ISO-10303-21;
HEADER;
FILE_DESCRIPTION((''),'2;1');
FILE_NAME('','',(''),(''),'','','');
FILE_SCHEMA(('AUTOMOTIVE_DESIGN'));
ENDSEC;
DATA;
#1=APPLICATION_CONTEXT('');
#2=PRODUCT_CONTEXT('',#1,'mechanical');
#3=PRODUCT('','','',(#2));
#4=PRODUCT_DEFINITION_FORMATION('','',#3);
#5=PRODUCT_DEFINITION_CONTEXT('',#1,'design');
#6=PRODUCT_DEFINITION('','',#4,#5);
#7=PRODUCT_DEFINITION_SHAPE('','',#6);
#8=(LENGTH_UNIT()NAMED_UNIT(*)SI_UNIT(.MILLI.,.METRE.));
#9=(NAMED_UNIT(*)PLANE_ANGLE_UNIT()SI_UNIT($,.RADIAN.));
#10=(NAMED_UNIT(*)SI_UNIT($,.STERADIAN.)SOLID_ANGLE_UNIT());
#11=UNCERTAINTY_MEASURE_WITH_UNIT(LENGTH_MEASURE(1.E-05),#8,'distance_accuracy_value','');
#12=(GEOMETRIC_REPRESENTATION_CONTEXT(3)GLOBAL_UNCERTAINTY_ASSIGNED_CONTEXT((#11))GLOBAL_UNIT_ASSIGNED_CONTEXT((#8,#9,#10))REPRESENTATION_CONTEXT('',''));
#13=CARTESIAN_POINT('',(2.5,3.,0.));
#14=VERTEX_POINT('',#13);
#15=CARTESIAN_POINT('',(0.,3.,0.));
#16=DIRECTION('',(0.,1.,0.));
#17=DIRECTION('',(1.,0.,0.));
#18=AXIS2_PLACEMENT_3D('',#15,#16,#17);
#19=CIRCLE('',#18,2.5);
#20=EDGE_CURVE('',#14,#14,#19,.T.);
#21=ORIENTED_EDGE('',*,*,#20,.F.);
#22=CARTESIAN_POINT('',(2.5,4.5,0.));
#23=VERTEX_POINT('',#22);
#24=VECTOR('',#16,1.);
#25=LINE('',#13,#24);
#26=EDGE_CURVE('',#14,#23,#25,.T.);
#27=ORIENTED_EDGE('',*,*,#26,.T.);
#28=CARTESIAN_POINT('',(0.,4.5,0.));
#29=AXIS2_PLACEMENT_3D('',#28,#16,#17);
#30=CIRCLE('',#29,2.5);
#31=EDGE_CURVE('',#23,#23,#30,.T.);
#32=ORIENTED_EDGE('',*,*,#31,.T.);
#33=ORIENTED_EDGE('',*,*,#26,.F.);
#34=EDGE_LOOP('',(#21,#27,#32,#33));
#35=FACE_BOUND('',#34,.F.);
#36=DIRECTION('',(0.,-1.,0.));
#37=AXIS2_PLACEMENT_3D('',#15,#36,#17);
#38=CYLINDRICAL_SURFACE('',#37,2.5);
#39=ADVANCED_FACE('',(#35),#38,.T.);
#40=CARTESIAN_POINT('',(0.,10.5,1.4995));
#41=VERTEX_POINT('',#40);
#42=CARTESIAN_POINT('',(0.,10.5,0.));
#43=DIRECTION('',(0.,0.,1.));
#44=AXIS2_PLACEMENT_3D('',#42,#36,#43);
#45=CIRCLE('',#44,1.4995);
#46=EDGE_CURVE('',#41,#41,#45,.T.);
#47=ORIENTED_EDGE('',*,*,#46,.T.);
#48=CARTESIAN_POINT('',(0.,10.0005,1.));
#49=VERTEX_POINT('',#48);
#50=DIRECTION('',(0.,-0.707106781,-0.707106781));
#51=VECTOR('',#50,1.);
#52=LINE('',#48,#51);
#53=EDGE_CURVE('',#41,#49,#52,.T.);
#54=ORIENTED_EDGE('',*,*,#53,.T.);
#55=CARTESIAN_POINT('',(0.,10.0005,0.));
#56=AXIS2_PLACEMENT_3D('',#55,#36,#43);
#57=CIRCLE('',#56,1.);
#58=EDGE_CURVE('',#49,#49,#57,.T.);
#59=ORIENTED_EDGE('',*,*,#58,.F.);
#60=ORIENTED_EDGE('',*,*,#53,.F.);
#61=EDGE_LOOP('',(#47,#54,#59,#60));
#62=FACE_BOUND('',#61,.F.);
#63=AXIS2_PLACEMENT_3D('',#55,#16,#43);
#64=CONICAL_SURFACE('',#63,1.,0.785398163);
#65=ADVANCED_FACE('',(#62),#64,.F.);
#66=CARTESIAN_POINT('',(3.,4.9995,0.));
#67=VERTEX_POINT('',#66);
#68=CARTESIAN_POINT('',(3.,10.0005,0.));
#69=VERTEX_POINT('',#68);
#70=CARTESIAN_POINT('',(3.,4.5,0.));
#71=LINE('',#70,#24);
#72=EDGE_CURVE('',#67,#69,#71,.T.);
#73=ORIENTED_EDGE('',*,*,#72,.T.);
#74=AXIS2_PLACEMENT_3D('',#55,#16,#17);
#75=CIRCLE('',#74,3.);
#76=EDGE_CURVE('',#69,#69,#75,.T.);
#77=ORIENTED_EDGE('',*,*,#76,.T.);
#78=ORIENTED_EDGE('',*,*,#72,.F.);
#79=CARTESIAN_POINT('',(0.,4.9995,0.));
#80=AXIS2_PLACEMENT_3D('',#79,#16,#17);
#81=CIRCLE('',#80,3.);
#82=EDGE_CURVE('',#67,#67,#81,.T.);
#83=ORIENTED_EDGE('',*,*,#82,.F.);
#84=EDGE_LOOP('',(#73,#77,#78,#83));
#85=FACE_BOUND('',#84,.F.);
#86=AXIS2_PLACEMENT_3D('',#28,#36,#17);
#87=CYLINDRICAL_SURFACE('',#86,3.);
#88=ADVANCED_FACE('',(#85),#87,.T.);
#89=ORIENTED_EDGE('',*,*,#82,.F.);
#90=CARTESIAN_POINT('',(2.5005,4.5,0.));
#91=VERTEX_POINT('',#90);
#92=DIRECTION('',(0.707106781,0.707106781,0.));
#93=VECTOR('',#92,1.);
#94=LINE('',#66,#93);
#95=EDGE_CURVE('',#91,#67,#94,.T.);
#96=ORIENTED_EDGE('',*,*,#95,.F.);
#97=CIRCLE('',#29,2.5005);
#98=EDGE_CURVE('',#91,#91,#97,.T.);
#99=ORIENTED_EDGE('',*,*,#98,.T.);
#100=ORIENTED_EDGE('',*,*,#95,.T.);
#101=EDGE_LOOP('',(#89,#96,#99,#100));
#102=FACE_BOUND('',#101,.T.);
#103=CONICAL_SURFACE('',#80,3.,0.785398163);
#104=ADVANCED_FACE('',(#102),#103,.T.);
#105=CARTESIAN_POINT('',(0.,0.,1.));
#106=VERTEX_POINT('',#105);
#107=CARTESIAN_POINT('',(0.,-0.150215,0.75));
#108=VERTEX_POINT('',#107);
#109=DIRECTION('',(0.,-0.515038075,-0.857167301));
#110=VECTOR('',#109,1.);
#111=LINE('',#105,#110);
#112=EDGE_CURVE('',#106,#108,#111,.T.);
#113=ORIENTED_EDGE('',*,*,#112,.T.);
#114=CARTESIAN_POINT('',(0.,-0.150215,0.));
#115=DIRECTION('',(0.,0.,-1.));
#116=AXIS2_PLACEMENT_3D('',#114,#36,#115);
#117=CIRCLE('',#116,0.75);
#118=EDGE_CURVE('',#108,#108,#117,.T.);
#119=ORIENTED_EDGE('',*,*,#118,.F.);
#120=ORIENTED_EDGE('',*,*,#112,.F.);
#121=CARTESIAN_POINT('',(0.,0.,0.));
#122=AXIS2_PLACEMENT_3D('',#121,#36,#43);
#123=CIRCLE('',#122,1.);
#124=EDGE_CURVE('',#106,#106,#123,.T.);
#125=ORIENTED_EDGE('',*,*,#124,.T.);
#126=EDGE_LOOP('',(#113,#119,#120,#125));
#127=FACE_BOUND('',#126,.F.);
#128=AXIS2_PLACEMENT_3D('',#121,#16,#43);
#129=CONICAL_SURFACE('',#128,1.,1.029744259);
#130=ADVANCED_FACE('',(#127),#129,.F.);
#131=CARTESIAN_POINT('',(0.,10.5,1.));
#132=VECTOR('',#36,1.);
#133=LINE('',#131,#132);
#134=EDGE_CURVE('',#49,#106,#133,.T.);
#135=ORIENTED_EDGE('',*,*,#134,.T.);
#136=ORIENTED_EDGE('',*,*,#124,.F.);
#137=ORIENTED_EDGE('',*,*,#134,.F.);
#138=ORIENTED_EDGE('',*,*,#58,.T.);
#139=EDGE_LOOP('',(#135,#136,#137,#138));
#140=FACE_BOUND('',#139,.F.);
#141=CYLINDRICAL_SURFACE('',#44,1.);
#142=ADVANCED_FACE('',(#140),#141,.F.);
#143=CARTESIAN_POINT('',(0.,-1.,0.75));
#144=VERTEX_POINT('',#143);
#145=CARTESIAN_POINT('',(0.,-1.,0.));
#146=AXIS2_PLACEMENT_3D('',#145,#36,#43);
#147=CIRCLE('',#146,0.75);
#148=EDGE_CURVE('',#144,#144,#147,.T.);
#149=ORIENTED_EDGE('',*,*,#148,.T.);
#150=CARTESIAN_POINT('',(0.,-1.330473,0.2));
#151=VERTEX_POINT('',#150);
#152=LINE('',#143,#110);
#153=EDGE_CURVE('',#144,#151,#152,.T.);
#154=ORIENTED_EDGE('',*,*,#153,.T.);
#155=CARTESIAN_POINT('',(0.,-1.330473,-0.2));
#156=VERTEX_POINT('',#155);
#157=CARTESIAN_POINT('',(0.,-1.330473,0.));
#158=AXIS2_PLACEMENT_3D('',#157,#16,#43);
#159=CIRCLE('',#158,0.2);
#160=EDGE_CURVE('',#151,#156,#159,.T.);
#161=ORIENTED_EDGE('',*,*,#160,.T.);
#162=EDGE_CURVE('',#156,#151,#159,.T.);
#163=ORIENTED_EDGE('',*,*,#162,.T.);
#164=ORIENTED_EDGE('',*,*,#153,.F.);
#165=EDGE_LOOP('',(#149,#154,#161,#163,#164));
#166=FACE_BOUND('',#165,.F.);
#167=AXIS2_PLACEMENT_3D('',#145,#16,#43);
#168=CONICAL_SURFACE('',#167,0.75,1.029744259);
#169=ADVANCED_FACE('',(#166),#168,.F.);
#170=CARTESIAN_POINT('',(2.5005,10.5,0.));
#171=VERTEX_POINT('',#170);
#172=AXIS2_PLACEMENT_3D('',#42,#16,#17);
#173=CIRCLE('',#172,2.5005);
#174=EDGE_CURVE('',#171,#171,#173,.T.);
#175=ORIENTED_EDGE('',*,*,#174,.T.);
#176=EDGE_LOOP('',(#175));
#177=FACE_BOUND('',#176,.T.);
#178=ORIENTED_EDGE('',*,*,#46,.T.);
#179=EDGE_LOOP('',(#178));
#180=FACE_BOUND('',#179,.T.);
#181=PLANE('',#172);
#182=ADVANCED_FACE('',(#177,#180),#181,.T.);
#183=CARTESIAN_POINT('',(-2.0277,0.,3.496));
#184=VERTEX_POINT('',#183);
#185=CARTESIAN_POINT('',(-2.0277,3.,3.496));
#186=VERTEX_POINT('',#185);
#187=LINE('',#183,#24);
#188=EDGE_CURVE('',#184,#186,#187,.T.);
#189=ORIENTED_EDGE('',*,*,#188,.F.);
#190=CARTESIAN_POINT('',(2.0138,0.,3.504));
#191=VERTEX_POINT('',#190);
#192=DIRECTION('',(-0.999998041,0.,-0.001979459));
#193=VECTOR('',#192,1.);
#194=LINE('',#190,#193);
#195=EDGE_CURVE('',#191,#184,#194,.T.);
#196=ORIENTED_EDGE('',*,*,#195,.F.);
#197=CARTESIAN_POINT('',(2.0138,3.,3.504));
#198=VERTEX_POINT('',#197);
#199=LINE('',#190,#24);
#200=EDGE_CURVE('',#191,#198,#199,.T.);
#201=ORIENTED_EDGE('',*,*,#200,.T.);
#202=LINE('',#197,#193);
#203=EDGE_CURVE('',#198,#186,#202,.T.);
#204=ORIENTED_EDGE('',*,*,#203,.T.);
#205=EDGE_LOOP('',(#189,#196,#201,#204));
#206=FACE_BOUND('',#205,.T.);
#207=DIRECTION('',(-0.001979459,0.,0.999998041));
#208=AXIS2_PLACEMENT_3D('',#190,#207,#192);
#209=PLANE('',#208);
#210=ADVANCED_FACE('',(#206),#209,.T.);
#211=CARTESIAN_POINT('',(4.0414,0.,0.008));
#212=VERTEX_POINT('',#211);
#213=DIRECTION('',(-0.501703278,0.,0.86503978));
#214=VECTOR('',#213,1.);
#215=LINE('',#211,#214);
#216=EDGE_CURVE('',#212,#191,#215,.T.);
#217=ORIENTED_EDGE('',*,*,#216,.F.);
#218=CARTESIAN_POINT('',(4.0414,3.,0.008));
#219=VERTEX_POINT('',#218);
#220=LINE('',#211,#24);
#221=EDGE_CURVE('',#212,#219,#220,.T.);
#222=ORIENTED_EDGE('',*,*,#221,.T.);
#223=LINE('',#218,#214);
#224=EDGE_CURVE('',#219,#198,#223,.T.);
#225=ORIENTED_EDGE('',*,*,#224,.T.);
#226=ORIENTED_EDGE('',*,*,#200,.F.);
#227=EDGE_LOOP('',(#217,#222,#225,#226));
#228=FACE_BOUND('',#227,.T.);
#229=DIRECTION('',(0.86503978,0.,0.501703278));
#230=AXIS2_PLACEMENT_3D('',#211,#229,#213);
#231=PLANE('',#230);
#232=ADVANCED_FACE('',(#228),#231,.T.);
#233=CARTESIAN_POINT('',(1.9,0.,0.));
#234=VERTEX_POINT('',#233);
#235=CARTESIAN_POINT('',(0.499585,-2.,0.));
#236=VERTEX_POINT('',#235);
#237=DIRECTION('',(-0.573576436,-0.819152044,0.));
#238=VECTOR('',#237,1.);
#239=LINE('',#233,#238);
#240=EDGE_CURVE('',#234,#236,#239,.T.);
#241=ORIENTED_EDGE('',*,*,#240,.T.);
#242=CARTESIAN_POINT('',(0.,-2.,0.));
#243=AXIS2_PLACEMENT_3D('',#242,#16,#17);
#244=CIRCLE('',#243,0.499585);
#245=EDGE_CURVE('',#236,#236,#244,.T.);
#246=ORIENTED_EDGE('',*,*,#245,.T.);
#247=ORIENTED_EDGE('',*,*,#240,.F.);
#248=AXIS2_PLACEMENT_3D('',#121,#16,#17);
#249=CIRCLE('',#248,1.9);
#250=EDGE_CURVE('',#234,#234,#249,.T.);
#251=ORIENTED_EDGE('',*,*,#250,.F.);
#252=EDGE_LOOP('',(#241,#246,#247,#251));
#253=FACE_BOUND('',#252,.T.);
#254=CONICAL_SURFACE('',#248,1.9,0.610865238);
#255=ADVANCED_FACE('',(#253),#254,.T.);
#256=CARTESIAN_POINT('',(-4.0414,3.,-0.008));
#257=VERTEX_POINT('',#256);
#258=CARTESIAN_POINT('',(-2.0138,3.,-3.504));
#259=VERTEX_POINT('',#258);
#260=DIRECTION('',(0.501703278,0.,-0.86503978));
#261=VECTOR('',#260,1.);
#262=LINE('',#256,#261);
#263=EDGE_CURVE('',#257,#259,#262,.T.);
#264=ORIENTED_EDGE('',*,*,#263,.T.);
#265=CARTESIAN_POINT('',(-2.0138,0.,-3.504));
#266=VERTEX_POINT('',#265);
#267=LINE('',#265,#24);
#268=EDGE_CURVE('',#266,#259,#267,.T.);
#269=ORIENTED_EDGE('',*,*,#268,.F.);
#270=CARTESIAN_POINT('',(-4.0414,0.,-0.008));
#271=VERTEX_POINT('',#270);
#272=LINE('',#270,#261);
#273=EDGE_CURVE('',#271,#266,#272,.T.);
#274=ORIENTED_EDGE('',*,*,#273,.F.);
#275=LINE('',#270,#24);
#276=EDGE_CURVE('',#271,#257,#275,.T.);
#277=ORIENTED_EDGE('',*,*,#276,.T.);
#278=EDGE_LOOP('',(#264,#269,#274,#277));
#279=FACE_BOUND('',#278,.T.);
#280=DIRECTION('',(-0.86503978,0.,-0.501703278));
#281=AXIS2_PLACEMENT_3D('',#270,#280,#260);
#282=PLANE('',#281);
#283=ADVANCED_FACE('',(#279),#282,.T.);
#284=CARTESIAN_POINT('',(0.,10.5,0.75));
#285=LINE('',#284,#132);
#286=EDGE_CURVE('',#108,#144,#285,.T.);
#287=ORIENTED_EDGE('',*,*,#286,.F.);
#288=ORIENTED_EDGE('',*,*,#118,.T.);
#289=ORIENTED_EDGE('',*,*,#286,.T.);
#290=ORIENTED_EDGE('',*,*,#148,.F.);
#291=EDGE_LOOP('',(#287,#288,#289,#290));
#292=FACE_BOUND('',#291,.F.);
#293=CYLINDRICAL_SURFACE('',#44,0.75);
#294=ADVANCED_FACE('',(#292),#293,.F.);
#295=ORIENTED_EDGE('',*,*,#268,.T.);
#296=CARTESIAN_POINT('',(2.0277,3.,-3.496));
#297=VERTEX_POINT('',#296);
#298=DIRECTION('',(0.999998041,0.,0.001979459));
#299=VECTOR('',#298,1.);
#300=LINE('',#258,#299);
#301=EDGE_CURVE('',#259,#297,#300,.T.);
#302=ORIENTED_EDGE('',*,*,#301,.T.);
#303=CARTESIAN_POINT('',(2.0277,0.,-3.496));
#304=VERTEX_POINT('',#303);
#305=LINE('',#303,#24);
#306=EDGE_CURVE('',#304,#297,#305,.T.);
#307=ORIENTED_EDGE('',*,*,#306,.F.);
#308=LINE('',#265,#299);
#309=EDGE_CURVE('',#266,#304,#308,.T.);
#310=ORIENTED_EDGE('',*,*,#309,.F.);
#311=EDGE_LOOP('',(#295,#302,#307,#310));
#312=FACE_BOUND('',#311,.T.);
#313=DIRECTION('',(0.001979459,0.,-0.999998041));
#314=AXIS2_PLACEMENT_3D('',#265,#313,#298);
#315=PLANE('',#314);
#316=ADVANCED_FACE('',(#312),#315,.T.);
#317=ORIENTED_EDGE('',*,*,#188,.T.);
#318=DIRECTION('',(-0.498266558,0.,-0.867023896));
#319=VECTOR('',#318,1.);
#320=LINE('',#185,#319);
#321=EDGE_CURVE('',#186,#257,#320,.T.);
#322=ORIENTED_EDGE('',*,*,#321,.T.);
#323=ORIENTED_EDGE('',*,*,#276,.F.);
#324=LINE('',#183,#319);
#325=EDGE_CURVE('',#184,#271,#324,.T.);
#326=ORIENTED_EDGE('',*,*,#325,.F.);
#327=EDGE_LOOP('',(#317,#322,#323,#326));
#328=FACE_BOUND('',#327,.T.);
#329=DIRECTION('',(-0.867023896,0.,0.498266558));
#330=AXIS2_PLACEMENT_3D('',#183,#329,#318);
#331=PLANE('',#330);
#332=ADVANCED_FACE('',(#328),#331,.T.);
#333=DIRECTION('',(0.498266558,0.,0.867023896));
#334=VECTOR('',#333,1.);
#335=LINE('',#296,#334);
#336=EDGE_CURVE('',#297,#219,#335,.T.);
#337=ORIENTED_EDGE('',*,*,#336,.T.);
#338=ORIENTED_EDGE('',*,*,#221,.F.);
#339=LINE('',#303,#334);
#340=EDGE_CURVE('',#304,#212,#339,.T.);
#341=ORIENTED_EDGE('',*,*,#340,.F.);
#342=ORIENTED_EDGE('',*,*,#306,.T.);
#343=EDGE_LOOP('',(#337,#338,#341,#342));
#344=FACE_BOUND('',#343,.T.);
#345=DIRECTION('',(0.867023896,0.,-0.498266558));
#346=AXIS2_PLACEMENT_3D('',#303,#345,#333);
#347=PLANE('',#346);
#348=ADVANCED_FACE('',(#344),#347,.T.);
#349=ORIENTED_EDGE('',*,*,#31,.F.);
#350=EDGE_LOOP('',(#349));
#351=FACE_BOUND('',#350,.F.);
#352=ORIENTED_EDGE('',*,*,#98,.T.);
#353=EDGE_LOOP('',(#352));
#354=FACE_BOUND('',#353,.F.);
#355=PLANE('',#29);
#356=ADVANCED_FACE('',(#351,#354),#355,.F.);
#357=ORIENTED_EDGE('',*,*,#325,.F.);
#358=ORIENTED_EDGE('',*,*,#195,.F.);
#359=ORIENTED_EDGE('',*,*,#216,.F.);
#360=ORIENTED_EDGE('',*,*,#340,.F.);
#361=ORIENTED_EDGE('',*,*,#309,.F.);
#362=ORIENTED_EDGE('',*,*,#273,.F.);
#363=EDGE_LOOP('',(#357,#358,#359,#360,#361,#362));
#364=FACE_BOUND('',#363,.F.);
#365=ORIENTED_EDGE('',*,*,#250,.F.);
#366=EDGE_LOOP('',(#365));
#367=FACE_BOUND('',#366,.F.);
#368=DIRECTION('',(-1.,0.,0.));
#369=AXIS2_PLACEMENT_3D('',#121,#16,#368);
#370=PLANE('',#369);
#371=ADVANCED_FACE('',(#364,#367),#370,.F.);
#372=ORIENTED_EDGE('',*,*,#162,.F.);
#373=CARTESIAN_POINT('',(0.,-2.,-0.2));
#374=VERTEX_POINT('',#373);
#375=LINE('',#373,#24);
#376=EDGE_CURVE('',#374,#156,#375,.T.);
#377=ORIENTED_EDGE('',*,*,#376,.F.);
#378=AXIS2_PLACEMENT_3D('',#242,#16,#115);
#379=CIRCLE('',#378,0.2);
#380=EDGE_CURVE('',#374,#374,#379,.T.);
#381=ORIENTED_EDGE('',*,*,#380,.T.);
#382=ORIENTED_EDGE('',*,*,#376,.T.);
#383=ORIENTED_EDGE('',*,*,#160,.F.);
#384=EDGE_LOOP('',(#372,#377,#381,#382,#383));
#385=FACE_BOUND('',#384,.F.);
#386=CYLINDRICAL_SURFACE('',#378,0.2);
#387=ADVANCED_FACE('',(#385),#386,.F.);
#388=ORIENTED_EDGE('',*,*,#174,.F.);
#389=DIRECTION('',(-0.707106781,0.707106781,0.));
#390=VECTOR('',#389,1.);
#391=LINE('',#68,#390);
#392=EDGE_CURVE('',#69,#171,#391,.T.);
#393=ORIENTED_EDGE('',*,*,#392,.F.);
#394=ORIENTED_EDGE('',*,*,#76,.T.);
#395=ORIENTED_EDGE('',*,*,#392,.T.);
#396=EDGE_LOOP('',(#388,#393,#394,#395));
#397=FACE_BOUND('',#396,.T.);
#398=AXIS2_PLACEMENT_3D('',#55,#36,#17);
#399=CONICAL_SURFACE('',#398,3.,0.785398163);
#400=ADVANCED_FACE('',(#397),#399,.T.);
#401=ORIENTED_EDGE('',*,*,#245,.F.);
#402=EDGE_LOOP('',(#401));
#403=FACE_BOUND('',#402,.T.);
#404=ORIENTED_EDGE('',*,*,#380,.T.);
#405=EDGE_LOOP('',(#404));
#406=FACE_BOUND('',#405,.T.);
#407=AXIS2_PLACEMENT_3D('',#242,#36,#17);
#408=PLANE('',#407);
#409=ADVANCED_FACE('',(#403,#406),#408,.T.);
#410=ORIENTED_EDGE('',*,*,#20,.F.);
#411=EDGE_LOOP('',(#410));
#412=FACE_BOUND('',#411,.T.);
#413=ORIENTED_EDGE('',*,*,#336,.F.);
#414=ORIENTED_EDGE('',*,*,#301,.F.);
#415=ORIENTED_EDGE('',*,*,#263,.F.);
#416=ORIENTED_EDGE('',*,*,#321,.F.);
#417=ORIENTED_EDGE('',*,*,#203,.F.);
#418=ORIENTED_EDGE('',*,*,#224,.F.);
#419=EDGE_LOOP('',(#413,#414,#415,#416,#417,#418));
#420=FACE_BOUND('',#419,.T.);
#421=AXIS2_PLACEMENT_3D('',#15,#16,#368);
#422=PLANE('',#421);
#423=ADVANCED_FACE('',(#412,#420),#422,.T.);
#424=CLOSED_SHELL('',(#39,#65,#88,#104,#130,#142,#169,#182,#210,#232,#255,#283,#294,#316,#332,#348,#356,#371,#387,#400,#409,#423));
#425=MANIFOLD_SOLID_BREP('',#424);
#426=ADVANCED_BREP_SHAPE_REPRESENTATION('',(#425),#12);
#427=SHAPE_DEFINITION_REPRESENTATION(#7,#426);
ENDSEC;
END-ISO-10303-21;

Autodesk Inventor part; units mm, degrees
ref_plane "YZ Plane" through (0, 0, 0) normal (1, 0, 0) x (0, 1, 0)
ref_plane "XZ Plane" through (0, 0, 0) normal (0, 1, 0) x (-1, 0, 0)
ref_plane "XY Plane" through (0, 0, 0) normal (0, 0, 1) x (1, 0, 0)
sketch "草圖1" plane through (0, 0, 0) normal (0, 1, 0) x (-1, 0, 0)
  line L0 (2.0138, -3.504) -> (-2.0277, -3.496)
  line L1 (-2.0277, -3.496) -> (-4.0414, 0.008)
  line L2 (-4.0414, 0.008) -> (-2.0138, 3.504)
  line L3 (-2.0138, 3.504) -> (2.0277, 3.496)
  line L4 (2.0277, 3.496) -> (4.0414, -0.008)
  line L5 (4.0414, -0.008) -> (2.0138, -3.504)
  point P0 (0, 0)
  point P1 (0, 0)
  dimension "d0" = 7
extrude "擠出1" add sketch "草圖1" along normal blind 3
sketch "草圖2" plane through (0, 3, 0) normal (0, 1, 0) x (1, 0, 0)
  circle A0 centre (0, 0) radius 2.5
  dimension "d3" = 5
extrude "擠出2" add sketch "草圖2" along normal blind 1.5
sketch "草圖3" plane through (0, 4.5, 0) normal (0, 1, 0) x (1, 0, 0)
  circle A0 centre (0, 0) radius 2.5 projected
  circle A1 centre (0, 0) radius 3
  dimension "d7" = 6
extrude "擠出3" add sketch "草圖3" along normal blind 6 contours A0 | A1
sketch "草圖4" plane through (0, 0, 0) normal (0, -1, 0) x (1, 0, 0)
  circle A0 centre (0, 0) radius 1.9
  dimension "d11" = 3.8
extrude "擠出4" add sketch "草圖4" along normal blind 2 draft -35
sketch "草圖5" plane through (0, 10.5, 0) normal (0, 1, 0) x (1, 0, 0)
  circle A0 centre (0, 0) radius 3 projected
hole "孔1" at (0, 10.5, 0) direction (0, -1, 0) diameter 2 depth 10.5 tip angle 118
chamfer "倒角1" distance 0.5 angle 45 3 edges at (-3, 4.5, 0) (-3, 10.5, 0) (0, 10.5, -1)
thread "螺紋1" size "M6x1" class "6g" standard "ANSI Metric M Profile" full length
sketch "草圖6" plane through (0, -2, 0) normal (0, -1, 0) x (1, 0, 0)
  circle A0 centre (0, 0) radius 0.4996 projected
hole "孔2" at (0, -2, 0) direction (0, 1, 0) diameter 0.4 end through all
sketch "草圖7" plane through (0, 10.5, 0) normal (0, 1, 0) x (1, 0, 0)
  circle A0 centre (0, 0) radius 1.5 projected
hole "孔3" at (0, 10.5, 0) direction (0, -1, 0) diameter 1.5 depth 11.5 tip angle 118
properties part number "e3d_v6_nozzle"
